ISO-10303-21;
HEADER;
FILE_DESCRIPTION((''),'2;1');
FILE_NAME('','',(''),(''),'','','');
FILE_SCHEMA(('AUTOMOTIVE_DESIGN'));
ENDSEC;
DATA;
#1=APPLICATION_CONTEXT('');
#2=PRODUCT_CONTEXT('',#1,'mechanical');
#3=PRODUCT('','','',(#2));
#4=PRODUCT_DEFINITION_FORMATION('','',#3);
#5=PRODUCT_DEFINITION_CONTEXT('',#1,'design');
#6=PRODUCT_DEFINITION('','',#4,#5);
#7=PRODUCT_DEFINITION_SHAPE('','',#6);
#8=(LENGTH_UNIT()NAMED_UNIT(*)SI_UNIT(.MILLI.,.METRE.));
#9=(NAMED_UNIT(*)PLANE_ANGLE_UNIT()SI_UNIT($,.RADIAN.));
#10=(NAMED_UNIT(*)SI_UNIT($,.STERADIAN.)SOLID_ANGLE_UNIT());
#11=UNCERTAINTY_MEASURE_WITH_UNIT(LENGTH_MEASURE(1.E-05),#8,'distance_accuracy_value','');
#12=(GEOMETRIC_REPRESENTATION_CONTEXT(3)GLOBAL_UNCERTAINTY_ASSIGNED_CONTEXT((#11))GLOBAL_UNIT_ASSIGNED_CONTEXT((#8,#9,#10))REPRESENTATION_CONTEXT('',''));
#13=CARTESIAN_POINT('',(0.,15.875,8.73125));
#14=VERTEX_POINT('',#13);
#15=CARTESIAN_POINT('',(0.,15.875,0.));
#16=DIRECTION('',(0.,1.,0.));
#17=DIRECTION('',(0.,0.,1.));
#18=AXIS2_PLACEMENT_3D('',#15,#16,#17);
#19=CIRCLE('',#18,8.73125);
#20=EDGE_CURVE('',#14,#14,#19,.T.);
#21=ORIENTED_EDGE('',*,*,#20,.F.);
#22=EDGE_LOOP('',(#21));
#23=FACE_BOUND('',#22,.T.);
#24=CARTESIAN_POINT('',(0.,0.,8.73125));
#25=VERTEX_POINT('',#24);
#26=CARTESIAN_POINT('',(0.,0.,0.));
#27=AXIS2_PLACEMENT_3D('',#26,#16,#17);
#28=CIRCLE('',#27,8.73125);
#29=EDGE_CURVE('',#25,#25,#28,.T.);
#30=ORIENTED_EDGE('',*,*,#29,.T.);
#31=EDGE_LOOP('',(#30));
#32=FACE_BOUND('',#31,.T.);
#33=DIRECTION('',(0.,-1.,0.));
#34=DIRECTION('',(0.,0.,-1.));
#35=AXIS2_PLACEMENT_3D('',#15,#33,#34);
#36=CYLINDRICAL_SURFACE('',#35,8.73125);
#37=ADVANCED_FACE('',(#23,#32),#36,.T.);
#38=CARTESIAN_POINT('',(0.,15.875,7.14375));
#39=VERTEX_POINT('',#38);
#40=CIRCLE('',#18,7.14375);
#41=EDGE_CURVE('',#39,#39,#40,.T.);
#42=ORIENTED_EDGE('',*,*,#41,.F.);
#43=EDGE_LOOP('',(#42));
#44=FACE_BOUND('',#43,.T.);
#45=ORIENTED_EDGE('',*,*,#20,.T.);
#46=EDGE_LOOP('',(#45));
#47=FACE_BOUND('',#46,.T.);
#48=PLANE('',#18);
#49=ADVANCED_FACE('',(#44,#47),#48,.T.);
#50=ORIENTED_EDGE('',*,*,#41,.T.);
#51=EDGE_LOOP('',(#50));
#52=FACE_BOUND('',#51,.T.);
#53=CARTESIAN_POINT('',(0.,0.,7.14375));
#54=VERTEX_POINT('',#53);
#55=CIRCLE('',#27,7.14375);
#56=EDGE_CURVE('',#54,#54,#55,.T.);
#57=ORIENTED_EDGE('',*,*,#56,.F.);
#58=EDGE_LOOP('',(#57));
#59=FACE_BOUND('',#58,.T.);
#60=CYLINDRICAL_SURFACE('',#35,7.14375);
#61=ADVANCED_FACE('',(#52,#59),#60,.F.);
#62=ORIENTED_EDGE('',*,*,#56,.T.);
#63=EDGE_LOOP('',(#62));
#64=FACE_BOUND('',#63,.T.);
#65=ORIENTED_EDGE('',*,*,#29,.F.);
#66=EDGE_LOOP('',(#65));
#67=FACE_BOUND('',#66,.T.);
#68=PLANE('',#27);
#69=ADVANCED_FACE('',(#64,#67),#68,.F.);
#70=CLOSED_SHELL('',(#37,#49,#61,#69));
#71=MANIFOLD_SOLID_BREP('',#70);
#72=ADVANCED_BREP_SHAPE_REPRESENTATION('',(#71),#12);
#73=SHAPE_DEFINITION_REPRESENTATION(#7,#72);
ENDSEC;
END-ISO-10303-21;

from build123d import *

# Parameters (mm, degrees)
SKETCH1_R           = 8.73125
SKETCH1_R_2         = 7.14375
BOSS_EXTRUDE1_DEPTH = 15.875


with BuildPart() as part:
    # Sketch1 → Boss-Extrude1 (new body)
    with BuildSketch(Plane(origin=(0, 0, 0), x_dir=(1, 0, 0), z_dir=(0, 1, 0))):
        with Locations(Location((0, 0, 0), (0, 0, 270))):
            Circle(SKETCH1_R)
        with Locations(Location((0, 0, 0), (0, 0, 270))):
            Circle(SKETCH1_R_2, mode=Mode.SUBTRACT)
    extrude(amount=BOSS_EXTRUDE1_DEPTH)


solid = part.part
